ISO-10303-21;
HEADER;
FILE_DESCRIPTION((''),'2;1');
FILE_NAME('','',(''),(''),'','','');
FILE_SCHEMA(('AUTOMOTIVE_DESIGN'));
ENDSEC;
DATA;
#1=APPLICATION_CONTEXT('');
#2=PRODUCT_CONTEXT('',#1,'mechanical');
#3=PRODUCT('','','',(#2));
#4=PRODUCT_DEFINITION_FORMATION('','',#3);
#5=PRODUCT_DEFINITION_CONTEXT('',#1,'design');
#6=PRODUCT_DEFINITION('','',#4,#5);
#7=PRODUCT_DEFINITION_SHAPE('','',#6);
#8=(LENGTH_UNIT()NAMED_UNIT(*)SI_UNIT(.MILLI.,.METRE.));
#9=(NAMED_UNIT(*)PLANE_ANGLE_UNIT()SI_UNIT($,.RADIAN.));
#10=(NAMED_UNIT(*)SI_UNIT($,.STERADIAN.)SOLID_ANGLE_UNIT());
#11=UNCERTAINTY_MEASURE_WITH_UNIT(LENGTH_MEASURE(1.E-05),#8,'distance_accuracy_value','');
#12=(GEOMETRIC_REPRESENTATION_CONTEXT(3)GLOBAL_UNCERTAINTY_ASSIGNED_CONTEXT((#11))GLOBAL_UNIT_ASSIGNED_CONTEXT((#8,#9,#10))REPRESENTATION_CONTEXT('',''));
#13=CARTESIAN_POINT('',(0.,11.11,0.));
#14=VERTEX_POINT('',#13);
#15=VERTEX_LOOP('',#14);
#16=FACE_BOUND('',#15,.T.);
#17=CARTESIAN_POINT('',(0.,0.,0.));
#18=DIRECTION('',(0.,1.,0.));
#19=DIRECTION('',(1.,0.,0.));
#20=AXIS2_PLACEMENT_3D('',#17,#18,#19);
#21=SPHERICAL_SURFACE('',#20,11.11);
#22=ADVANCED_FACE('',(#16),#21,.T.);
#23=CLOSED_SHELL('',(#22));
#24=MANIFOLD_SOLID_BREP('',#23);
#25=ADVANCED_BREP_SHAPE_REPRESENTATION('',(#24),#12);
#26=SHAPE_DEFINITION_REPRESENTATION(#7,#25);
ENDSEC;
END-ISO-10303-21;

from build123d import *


with BuildPart() as part:
    # Esquisse1 → Révolution3 (revolve)
    with BuildSketch(Plane.XY):
        with BuildLine():
            Line((0, 11.11), (0, -11.11))
            ThreePointArc((0, -11.11), (-11.11, 0), (0, 11.11))
        make_face()
    revolve(axis=Axis((0, 11.11, 0), (0, -1, 0)))


solid = part.part
